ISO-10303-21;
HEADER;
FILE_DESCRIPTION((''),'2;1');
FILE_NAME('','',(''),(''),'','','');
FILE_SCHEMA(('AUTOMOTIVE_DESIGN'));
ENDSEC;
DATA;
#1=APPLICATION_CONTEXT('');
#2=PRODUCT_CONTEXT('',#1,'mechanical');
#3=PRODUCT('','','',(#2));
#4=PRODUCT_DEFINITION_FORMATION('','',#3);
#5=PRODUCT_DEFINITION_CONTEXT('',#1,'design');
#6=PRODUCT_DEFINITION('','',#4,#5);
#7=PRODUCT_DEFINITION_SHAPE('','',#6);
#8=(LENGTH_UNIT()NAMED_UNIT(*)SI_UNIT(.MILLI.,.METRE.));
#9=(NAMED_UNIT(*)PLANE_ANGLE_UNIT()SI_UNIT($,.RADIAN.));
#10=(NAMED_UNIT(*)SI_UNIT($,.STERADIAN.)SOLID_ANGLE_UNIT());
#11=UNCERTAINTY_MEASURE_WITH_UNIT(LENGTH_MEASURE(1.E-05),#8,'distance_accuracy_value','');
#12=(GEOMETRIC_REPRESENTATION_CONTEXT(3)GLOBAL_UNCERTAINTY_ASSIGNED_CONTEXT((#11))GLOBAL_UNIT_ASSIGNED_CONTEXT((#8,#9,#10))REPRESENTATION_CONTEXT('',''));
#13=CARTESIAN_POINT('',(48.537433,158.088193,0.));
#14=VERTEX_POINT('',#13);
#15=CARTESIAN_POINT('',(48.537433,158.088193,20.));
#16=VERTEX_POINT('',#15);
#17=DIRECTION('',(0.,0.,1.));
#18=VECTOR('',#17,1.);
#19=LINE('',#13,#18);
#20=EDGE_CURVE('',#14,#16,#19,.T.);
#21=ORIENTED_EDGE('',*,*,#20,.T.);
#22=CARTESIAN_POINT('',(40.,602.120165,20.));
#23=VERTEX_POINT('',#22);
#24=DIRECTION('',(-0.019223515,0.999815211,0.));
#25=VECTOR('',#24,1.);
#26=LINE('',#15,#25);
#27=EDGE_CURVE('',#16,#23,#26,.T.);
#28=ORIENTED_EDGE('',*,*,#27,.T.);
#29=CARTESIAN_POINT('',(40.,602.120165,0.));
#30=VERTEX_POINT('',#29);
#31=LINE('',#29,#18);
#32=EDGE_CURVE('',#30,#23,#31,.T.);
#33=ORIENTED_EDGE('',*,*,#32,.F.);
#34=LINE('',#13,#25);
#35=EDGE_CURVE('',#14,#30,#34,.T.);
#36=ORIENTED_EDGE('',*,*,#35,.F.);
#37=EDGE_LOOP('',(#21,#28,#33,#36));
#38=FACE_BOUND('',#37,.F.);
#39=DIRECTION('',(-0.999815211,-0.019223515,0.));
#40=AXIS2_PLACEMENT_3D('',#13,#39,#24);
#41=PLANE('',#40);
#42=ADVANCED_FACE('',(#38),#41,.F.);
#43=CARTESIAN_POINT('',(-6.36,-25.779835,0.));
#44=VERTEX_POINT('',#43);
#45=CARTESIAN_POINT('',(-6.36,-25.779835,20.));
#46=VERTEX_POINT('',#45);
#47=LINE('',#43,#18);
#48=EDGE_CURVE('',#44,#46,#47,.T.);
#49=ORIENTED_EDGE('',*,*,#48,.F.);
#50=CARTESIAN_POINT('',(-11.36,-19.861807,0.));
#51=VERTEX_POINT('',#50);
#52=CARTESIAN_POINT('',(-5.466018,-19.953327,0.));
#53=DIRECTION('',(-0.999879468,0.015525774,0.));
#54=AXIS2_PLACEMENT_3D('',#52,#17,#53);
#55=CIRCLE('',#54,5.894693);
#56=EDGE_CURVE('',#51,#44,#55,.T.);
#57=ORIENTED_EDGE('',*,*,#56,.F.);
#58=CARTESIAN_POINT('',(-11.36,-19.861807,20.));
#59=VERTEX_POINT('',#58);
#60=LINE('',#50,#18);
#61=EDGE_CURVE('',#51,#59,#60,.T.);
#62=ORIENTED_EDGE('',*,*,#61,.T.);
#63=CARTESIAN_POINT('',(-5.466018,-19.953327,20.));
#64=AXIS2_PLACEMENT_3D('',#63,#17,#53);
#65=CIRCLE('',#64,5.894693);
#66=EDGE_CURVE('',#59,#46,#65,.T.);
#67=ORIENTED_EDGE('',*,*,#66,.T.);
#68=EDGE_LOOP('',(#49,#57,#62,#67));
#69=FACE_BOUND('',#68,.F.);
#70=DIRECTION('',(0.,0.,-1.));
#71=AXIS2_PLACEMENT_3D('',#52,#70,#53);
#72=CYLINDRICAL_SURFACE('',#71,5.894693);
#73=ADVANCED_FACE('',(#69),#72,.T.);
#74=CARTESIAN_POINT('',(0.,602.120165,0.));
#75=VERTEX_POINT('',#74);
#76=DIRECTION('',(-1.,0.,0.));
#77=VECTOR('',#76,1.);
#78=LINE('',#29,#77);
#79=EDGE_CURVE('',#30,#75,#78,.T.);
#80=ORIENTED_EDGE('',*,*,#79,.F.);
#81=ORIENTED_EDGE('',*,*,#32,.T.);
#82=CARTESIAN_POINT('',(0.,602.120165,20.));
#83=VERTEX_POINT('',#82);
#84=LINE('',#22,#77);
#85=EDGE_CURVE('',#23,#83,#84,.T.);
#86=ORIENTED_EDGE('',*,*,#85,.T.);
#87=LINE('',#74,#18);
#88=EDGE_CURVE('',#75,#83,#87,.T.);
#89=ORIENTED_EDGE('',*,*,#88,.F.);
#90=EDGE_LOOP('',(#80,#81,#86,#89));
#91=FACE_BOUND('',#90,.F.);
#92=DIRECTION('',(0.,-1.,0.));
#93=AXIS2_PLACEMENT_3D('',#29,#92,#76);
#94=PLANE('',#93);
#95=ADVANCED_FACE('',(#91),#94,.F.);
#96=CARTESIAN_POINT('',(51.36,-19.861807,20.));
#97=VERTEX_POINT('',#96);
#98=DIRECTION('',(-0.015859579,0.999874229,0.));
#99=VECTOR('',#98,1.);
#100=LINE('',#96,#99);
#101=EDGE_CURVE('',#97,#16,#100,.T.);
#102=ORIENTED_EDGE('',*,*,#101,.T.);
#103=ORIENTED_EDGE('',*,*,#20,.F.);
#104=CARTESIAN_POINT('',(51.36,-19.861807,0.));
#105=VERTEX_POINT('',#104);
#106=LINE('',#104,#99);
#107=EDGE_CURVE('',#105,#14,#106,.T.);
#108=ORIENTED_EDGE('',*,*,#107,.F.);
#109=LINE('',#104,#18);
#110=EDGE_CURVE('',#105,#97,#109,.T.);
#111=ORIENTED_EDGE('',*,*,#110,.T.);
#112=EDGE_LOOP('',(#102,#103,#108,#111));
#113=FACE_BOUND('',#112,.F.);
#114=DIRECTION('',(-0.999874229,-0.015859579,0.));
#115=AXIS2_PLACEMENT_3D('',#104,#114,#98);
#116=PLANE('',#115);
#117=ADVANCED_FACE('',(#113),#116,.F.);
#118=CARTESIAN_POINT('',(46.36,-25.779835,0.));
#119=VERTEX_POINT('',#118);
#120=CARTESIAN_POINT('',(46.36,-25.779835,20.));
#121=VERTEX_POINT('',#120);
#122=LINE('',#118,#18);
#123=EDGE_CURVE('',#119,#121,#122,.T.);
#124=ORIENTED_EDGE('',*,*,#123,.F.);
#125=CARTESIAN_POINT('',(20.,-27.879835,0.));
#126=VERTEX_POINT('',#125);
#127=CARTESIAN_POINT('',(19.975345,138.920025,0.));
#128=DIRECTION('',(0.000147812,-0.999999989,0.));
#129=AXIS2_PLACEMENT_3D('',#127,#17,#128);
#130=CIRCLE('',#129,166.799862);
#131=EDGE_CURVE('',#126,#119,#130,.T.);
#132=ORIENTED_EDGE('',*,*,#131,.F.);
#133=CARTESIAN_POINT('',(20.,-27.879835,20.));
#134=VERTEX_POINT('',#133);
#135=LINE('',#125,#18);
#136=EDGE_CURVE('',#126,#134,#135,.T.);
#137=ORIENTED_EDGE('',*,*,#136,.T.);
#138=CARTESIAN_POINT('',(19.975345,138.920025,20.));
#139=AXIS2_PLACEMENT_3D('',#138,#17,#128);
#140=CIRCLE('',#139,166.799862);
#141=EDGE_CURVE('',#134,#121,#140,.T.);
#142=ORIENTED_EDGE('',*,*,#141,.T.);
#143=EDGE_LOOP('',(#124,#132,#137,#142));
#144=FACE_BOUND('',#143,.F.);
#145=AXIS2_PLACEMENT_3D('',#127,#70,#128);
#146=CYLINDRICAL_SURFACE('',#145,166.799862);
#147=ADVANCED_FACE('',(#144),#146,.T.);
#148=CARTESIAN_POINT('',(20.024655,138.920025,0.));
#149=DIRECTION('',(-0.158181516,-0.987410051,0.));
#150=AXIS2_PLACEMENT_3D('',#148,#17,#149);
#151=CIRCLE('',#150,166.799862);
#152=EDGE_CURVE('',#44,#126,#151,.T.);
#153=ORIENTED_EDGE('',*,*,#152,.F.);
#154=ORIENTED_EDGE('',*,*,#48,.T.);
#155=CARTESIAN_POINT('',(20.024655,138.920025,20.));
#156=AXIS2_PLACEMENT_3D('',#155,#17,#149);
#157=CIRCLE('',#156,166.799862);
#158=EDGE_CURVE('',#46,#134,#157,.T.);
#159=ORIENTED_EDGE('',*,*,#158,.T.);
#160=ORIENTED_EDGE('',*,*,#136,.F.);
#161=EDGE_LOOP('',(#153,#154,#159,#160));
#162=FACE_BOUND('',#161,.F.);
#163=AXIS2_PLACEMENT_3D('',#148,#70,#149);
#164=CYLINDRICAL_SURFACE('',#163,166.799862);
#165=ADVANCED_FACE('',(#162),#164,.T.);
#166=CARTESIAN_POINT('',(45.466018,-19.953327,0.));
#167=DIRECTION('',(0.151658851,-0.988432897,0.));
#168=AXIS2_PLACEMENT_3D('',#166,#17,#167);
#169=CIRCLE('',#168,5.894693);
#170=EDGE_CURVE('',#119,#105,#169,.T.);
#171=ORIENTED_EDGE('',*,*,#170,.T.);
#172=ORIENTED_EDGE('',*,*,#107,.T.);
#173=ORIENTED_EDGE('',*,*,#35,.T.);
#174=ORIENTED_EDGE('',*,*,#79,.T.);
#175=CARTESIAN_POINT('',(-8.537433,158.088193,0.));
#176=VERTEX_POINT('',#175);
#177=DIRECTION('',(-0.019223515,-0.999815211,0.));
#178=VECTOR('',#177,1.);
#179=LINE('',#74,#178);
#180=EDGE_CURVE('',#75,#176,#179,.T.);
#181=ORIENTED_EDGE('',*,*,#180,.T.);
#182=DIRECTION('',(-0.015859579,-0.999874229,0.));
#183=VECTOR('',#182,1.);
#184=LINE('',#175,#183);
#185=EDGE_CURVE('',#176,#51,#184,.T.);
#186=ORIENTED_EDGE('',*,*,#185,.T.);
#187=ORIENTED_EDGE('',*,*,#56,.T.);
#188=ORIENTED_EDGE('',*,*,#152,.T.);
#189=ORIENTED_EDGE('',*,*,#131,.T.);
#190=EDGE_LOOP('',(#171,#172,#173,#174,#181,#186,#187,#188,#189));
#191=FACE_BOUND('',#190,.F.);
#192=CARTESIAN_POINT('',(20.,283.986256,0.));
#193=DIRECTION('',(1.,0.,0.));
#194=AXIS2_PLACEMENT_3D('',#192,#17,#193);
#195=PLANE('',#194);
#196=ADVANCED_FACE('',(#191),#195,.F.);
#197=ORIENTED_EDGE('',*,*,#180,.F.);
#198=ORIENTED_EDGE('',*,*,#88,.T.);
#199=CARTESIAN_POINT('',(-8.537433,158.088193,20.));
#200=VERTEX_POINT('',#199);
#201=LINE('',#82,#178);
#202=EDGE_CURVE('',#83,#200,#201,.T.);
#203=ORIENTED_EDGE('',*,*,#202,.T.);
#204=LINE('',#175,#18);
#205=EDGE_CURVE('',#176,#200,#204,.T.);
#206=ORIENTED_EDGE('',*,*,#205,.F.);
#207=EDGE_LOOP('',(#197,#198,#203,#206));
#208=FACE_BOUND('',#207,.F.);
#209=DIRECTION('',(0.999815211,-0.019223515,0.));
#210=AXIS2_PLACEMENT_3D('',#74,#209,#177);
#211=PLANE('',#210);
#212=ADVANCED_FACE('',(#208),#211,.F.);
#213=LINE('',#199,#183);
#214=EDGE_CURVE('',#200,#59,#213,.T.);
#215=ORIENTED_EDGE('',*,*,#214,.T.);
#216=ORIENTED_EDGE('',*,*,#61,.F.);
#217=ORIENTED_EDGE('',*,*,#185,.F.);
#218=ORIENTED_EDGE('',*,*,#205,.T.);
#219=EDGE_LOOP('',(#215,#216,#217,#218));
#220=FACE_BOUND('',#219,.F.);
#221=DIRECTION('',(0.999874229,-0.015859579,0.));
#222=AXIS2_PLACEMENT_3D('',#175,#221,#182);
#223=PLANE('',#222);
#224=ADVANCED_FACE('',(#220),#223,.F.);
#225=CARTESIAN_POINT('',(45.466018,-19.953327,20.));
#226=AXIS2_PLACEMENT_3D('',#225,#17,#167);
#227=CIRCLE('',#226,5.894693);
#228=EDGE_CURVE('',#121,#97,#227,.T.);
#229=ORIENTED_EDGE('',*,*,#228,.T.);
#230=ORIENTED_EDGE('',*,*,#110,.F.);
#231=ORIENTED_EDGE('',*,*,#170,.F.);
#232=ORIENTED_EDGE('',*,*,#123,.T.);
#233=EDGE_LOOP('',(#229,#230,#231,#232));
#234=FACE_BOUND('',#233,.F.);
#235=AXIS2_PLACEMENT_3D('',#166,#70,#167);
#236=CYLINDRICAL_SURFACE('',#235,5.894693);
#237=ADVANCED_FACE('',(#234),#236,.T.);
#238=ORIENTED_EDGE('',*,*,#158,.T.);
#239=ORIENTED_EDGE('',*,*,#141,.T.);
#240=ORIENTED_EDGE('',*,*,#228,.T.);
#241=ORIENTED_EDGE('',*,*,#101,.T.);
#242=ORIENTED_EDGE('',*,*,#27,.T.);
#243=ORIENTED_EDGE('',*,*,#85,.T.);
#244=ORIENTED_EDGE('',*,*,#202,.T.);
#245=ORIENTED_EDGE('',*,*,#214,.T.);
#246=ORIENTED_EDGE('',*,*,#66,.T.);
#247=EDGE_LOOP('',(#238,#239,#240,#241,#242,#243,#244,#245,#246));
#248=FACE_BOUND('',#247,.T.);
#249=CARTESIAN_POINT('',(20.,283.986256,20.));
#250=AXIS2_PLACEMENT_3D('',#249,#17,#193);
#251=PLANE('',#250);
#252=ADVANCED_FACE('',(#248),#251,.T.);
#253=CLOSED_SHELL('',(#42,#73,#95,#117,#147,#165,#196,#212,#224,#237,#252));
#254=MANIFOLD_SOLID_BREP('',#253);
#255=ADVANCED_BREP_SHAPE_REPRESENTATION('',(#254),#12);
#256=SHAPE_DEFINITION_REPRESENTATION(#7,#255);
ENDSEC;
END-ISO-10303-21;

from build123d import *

# Parameters (mm, degrees)
F1_DEPTH = 20


with BuildPart() as f1:
    # F0 (on Top) → F1 (new body)
    with BuildSketch(Plane.XY):
        with BuildLine():
            Line((0, 602.120165), (-8.537433, 158.088193))
            Line((-8.537433, 158.088193), (-11.36, -19.861807))
            ThreePointArc((-11.36, -19.861807), (-9.968781, -23.757604), (-6.36, -25.779835))
            ThreePointArc((-6.36, -25.779835), (6.778319, -27.353029), (20, -27.879835))
            ThreePointArc((20, -27.879835), (33.221681, -27.353029), (46.36, -25.779835))
            ThreePointArc((46.36, -25.779835), (49.968781, -23.757604), (51.36, -19.861807))
            Line((51.36, -19.861807), (48.537433, 158.088193))
            Line((48.537433, 158.088193), (40, 602.120165))
            Line((40, 602.120165), (20, 602.120165))
            Line((20, 602.120165), (0, 602.120165))
        make_face()
    extrude(amount=F1_DEPTH)


solid = f1.part
